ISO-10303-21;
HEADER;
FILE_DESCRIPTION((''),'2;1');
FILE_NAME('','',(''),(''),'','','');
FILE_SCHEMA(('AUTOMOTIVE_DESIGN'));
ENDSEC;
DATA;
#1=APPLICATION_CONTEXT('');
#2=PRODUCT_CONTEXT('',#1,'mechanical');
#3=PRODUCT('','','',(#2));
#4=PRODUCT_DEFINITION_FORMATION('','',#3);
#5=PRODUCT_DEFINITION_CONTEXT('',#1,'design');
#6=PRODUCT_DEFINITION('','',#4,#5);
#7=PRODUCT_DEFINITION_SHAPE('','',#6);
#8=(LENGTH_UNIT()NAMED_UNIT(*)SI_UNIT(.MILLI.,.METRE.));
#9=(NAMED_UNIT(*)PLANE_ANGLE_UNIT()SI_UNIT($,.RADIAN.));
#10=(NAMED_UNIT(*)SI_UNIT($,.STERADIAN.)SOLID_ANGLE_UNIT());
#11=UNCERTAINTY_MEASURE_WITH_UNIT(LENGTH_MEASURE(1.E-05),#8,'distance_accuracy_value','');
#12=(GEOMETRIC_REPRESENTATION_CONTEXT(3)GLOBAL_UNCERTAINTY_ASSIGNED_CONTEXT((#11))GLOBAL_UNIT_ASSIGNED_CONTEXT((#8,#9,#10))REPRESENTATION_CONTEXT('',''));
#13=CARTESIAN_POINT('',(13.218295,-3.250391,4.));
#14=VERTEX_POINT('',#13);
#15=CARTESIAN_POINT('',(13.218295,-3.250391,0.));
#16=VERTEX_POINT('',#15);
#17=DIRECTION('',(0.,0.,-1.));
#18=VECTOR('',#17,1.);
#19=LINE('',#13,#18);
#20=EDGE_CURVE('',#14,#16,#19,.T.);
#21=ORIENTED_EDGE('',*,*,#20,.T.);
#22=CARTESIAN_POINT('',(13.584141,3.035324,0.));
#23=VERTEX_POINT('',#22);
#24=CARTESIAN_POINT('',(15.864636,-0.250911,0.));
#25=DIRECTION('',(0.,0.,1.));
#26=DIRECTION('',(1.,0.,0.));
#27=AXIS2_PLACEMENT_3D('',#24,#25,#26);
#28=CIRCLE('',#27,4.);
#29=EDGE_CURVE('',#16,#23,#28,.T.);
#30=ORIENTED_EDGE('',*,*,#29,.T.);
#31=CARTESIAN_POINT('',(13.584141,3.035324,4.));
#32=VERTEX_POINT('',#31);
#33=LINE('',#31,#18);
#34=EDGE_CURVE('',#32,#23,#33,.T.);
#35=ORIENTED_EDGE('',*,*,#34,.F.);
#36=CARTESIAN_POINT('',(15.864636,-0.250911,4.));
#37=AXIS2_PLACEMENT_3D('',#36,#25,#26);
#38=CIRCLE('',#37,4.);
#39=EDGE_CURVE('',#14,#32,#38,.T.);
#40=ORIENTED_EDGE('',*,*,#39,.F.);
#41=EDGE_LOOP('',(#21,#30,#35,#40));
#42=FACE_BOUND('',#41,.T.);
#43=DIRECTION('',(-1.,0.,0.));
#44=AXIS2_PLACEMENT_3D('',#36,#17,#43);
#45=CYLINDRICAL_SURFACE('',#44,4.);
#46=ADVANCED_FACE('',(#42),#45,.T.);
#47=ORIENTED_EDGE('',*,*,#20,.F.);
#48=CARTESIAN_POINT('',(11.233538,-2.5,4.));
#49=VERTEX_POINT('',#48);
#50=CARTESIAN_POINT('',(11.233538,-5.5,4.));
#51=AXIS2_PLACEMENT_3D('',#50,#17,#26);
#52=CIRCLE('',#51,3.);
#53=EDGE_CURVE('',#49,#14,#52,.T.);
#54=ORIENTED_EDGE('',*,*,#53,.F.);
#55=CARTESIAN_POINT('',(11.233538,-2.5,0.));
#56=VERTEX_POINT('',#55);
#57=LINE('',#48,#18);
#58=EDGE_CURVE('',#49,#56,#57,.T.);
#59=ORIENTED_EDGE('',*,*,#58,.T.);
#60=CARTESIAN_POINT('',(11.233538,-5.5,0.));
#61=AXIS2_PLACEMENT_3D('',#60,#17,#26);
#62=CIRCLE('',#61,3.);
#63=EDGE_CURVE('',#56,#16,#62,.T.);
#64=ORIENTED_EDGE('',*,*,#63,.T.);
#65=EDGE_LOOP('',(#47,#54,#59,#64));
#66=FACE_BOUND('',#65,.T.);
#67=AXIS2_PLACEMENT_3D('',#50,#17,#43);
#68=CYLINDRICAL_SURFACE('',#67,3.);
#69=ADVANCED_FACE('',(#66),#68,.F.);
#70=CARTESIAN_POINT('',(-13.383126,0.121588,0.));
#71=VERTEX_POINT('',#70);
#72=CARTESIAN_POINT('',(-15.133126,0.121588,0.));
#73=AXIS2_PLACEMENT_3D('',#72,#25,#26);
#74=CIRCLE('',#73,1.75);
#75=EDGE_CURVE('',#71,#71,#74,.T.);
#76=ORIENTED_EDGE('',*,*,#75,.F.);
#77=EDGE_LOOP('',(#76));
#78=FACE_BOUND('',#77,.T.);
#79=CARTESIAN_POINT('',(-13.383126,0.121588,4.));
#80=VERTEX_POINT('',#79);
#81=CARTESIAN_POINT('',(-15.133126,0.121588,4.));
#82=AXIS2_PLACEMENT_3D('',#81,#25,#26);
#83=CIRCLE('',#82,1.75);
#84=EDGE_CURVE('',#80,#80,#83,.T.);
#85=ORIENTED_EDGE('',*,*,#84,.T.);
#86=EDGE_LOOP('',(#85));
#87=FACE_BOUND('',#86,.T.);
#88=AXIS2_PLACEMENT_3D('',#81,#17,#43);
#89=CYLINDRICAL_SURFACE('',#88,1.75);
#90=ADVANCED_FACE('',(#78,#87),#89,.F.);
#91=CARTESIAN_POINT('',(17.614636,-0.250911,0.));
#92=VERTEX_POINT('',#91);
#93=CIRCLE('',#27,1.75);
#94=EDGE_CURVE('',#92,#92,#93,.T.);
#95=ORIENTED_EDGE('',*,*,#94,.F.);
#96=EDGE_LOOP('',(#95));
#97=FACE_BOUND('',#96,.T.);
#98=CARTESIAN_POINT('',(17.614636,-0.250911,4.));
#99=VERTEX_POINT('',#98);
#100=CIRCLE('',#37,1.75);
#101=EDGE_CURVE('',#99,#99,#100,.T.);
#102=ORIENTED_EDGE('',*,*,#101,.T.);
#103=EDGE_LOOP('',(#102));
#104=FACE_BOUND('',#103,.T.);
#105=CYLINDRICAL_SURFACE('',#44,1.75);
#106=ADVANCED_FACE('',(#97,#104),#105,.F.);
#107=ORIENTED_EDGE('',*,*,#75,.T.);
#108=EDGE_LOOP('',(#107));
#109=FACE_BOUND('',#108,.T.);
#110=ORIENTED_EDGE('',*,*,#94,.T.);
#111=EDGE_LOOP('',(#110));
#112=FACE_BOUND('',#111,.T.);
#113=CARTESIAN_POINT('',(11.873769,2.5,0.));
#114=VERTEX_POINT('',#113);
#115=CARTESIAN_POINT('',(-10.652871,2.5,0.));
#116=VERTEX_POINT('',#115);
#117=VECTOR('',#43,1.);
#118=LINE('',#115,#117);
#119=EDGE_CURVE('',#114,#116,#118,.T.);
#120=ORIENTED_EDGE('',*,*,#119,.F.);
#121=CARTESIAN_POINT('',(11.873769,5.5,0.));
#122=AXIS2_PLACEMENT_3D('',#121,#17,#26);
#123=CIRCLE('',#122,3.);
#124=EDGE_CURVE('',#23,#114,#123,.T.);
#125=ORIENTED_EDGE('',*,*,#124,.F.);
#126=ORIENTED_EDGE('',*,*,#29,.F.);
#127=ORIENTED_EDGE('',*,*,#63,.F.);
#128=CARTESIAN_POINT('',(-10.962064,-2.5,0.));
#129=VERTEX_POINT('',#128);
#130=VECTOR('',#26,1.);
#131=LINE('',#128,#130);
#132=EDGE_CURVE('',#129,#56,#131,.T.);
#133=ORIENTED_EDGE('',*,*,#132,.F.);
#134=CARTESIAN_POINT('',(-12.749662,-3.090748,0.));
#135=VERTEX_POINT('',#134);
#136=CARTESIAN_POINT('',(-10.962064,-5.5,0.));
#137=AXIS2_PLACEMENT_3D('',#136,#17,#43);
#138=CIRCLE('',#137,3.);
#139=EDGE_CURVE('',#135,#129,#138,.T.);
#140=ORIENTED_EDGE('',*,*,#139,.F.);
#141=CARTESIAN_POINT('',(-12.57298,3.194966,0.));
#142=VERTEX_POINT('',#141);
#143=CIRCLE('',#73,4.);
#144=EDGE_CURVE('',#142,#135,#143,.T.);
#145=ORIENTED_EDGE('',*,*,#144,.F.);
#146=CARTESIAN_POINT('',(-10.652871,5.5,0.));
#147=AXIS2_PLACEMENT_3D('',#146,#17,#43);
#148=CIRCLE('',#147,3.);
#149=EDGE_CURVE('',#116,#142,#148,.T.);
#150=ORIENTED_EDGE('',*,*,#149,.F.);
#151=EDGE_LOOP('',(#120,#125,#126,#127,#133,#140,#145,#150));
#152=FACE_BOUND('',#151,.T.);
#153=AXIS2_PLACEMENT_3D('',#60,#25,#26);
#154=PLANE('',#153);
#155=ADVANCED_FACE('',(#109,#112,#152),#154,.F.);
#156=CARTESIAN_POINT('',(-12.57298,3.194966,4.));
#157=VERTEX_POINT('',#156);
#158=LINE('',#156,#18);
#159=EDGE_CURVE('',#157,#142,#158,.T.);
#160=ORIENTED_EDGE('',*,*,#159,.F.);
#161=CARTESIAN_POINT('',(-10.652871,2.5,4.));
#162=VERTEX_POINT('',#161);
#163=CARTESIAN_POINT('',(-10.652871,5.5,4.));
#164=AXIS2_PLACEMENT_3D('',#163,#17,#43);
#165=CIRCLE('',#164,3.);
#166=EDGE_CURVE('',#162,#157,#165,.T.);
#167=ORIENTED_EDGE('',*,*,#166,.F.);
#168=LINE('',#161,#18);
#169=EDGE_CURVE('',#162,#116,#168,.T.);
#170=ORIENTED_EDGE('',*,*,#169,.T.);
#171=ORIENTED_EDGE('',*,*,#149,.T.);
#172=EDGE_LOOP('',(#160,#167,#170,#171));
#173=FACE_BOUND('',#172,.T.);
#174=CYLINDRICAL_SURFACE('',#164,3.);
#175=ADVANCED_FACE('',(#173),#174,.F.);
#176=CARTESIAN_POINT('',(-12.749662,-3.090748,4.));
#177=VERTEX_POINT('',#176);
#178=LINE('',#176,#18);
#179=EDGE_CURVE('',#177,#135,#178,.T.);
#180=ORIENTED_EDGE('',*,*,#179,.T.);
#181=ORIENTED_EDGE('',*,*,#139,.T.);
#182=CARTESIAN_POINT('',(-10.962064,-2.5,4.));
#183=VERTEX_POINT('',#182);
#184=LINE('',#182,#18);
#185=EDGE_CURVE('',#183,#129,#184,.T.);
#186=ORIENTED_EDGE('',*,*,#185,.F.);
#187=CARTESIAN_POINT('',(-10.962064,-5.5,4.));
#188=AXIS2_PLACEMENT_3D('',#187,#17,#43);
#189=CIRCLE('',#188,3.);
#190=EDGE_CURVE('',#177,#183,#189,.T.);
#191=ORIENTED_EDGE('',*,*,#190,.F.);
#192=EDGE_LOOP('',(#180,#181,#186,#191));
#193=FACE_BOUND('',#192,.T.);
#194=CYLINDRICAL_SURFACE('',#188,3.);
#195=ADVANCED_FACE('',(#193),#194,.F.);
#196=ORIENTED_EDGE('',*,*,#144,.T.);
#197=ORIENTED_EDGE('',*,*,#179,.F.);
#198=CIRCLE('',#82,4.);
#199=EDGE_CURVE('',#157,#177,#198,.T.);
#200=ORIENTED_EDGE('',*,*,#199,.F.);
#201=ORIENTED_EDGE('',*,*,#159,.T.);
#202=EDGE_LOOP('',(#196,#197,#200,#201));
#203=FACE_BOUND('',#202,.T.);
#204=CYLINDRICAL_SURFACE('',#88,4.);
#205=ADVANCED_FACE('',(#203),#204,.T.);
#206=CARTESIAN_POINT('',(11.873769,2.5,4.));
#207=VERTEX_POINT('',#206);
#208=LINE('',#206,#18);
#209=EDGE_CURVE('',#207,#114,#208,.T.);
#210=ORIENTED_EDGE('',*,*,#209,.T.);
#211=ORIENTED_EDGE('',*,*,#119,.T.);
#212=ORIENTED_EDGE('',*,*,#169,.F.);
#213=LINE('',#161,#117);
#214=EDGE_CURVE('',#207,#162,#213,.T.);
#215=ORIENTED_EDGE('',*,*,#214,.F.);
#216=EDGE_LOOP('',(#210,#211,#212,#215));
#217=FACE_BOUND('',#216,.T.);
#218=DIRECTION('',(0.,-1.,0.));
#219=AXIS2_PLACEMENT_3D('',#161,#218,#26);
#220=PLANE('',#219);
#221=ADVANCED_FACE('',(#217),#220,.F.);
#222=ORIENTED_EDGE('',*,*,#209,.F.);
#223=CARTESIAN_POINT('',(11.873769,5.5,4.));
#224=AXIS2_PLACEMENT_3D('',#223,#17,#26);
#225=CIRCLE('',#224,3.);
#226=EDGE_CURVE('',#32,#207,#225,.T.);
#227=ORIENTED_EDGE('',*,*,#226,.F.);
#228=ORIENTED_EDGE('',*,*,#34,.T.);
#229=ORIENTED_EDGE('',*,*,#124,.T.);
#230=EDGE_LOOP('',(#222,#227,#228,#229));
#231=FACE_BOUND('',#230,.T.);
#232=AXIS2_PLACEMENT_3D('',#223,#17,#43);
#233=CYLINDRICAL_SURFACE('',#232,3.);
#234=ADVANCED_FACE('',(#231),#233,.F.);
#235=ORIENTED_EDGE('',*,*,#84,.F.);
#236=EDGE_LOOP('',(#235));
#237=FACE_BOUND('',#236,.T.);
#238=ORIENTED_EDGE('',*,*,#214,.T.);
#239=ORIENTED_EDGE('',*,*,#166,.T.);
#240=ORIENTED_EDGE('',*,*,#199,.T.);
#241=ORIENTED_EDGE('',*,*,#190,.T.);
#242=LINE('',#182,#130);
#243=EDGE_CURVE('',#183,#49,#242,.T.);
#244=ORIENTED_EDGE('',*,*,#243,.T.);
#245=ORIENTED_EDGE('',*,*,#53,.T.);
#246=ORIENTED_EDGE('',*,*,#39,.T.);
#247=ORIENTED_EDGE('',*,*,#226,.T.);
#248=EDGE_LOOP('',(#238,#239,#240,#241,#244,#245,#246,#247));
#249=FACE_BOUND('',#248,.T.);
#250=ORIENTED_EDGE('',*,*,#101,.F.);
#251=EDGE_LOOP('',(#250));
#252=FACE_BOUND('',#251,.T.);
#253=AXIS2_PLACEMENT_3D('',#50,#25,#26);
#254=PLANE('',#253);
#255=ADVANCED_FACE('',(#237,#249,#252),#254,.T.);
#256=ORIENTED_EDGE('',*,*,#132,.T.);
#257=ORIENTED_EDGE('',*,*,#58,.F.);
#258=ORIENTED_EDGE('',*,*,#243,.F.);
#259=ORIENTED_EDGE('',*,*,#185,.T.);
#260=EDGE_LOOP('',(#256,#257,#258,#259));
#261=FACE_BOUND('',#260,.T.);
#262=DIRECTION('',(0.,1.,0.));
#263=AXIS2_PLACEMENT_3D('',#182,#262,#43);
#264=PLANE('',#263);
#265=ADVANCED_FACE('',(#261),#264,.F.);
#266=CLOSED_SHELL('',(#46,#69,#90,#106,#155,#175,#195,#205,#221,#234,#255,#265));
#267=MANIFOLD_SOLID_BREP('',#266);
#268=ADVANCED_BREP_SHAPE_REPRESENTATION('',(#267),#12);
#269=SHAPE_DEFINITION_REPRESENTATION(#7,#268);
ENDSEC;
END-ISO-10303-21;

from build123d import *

# Parameters (mm, degrees)
SKETCH_1_R      = 1.75
EXTRUDE_1_DEPTH = 4


with BuildPart() as part:
    # 草图1 → 凸台-拉伸1 (new body)
    with BuildSketch(Plane.XY):
        with BuildLine():
            Line((-10.652871244, 2.5), (11.87376934, 2.5))
            ThreePointArc((11.87376934, 2.5), (12.769863951, 2.636957135), (13.584140863, 3.035323702))
            ThreePointArc((13.584140863, 3.035323702), (19.857878254, -0.483329334), (13.218294526, -3.250390584))
            ThreePointArc((13.218294526, -3.250390584), (12.294474571, -2.69386135), (11.23353825, -2.5))
            Line((11.23353825, -2.5), (-10.962064336, -2.5))
            ThreePointArc((-10.962064336, -2.5), (-11.903405007, -2.651513079), (-12.749662064, -3.090748174))
            ThreePointArc((-12.749662064, -3.090748174), (-19.131546465, 0.233977056), (-12.572980297, 3.194966112))
            ThreePointArc((-12.572980297, 3.194966112), (-11.673875244, 2.67908688), (-10.652871244, 2.5))
        make_face()
        with Locations((-15.133125701, 0.121587595)):
            Circle(SKETCH_1_R, mode=Mode.SUBTRACT)
        with Locations((15.864636227, -0.250911362)):
            Circle(SKETCH_1_R, mode=Mode.SUBTRACT)
    extrude(amount=EXTRUDE_1_DEPTH)


solid = part.part
